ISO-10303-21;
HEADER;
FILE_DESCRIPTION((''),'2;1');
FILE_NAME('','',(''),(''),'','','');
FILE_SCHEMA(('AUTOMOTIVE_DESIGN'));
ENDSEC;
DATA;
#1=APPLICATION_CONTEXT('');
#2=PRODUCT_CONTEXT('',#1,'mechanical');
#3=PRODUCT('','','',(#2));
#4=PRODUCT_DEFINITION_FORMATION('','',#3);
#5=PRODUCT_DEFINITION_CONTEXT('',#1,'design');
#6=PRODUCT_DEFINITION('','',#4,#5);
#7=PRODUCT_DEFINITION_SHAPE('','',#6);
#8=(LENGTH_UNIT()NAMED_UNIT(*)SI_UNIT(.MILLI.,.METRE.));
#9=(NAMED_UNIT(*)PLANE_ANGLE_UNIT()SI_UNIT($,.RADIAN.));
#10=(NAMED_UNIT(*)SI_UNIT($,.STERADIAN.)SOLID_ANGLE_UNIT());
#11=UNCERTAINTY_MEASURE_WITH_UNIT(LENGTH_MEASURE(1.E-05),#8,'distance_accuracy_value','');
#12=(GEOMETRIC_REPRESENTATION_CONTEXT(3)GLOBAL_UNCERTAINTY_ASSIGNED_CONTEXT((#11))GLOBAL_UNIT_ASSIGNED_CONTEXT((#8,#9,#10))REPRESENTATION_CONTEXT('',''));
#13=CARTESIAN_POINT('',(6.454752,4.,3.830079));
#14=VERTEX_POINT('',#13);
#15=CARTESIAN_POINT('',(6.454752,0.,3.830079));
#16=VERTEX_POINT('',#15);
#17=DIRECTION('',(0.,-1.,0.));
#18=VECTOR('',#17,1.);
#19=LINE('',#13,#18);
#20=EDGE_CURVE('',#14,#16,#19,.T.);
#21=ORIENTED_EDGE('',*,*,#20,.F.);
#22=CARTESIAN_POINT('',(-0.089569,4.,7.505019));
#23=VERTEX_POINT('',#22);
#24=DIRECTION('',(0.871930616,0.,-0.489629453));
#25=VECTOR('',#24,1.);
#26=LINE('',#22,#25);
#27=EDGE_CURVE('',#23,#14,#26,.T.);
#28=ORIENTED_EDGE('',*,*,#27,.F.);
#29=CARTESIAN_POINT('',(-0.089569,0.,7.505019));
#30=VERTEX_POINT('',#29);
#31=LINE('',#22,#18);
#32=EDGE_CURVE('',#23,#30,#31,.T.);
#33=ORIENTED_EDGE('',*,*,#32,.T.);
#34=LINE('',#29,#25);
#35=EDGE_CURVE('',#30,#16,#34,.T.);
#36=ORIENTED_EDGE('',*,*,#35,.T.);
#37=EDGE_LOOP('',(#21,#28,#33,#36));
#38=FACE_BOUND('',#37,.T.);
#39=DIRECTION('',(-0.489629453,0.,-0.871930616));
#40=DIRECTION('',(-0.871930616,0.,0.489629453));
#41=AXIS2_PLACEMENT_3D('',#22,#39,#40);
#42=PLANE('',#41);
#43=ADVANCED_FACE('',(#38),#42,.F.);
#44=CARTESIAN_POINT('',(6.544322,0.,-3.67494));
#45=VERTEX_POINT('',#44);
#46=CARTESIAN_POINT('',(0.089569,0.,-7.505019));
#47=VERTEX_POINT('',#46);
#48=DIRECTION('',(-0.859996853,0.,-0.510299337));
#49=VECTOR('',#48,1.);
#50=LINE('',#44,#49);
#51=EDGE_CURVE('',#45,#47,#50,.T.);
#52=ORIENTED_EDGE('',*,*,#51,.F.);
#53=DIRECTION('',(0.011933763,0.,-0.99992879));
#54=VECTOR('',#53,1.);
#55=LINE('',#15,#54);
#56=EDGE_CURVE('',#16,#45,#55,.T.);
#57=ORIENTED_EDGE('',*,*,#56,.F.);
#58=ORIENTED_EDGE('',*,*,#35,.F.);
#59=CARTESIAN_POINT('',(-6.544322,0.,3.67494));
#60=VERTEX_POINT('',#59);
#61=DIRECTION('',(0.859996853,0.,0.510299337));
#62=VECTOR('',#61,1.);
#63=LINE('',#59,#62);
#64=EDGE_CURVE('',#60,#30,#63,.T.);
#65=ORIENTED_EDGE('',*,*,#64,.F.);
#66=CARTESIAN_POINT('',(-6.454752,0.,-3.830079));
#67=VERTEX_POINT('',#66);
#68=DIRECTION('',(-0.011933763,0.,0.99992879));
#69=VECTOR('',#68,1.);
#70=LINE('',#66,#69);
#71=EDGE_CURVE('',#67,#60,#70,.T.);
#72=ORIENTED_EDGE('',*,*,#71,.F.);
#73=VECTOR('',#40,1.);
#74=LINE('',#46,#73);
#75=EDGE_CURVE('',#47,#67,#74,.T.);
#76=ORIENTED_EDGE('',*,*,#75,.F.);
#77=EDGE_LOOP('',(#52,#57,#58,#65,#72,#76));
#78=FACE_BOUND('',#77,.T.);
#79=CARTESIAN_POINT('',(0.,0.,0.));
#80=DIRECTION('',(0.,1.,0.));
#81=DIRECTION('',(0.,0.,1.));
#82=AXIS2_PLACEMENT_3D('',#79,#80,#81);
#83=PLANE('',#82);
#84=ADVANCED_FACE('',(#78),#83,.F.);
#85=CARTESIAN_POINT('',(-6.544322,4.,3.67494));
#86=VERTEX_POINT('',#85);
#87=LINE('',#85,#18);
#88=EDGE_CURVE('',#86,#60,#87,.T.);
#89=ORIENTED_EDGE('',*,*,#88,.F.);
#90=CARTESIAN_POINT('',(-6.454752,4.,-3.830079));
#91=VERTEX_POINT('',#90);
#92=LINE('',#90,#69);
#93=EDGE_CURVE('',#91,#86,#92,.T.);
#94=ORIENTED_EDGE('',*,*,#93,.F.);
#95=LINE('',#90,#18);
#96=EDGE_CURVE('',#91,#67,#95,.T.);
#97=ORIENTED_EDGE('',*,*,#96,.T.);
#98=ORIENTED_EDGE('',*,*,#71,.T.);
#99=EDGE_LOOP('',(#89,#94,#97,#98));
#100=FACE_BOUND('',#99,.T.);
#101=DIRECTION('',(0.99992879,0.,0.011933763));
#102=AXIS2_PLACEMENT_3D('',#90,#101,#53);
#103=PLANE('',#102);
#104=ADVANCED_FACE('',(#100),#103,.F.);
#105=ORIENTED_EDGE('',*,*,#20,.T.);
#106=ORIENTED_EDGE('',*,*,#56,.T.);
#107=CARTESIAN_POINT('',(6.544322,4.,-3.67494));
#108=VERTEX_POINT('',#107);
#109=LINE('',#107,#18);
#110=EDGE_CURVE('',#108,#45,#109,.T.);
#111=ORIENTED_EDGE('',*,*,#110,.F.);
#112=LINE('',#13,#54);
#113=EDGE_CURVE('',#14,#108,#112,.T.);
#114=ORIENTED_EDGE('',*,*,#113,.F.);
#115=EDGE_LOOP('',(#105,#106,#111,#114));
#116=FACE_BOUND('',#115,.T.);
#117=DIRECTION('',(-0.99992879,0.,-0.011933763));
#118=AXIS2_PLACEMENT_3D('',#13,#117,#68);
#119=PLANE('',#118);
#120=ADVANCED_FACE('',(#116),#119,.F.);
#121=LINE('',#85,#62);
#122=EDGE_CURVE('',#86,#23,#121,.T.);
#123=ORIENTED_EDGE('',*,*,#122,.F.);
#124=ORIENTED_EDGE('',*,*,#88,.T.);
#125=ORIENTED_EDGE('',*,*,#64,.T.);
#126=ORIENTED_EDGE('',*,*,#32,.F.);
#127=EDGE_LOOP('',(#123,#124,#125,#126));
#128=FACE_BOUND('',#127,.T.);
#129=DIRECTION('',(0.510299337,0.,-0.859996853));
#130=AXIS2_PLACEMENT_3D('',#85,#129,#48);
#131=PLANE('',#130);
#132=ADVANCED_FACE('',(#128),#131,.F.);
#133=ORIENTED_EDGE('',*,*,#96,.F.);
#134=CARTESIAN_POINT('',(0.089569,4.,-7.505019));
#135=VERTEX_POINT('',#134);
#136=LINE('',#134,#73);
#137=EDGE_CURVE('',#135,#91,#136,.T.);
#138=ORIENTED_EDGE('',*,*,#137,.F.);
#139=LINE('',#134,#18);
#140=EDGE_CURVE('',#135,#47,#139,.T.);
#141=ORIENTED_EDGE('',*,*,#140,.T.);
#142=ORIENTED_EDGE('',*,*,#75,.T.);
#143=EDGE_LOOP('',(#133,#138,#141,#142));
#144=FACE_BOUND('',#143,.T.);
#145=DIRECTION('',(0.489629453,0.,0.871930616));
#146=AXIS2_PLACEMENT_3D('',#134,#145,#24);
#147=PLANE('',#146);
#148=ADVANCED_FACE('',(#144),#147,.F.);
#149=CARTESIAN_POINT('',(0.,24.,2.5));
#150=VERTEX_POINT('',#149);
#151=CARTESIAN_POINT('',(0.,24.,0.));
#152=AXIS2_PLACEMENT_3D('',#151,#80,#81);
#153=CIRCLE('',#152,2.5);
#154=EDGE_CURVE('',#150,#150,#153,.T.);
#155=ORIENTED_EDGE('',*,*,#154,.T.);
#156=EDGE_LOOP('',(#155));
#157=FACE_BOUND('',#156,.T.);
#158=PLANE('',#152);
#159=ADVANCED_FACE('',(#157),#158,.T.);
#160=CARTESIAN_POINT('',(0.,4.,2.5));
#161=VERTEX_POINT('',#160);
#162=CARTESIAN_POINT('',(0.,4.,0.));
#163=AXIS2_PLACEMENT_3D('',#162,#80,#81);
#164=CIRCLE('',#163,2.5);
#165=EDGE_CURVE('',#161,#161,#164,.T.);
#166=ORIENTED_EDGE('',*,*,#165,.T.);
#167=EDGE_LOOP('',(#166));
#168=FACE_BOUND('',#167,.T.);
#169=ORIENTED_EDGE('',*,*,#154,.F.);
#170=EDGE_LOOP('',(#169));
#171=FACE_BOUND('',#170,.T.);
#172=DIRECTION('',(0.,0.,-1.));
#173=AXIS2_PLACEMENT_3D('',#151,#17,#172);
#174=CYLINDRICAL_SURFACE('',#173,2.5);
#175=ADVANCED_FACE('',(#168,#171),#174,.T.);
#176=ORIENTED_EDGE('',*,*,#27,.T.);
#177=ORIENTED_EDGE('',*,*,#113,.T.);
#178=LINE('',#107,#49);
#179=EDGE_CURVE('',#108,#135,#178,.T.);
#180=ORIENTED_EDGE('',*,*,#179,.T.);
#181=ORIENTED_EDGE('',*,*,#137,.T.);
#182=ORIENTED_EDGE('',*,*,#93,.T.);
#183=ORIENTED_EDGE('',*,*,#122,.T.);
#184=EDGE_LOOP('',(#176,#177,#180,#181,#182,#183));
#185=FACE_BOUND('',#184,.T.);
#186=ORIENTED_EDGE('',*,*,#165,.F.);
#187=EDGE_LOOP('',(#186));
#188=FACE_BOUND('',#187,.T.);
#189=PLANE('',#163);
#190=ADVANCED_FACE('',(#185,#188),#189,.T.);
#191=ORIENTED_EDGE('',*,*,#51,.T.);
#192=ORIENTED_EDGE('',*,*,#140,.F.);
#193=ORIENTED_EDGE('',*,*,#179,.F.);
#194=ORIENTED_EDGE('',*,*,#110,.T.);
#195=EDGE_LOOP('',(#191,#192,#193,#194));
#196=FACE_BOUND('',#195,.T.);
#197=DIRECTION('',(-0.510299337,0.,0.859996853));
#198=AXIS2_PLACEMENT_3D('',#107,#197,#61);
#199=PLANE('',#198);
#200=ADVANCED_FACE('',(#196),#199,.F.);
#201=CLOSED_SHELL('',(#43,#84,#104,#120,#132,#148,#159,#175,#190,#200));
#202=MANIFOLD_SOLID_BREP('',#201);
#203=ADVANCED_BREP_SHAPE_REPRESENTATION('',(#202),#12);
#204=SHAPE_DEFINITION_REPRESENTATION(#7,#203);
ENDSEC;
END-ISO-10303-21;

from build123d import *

# Parameters (mm, degrees)
BOSS_EXTRUDE1_DEPTH = 4
SKETCH2_R           = 2.5
BOSS_EXTRUDE2_DEPTH = 20


with BuildPart() as part:
    # Sketch1 → Boss-Extrude1 (new body)
    with BuildSketch(Plane(origin=(0, 0, 0), x_dir=(1, 0, 0), z_dir=(0, 1, 0))):
        Polygon((6.454752386, -3.830078976), (6.544321885, 3.674940054), (0.089569499, 7.50501903), (-6.454752386, 3.830078976), (-6.544321885, -3.674940054), (-0.089569499, -7.50501903), align=None)
    extrude(amount=BOSS_EXTRUDE1_DEPTH)

    # Sketch2 → Boss-Extrude2 (add)
    with BuildSketch(Plane(origin=(0, 4, 0), x_dir=(1, 0, 0), z_dir=(0, 1, 0))):
        with Locations(Location((0, 0, 0), (0, 0, 270))):
            Circle(SKETCH2_R)
    extrude(amount=BOSS_EXTRUDE2_DEPTH)


solid = part.part
